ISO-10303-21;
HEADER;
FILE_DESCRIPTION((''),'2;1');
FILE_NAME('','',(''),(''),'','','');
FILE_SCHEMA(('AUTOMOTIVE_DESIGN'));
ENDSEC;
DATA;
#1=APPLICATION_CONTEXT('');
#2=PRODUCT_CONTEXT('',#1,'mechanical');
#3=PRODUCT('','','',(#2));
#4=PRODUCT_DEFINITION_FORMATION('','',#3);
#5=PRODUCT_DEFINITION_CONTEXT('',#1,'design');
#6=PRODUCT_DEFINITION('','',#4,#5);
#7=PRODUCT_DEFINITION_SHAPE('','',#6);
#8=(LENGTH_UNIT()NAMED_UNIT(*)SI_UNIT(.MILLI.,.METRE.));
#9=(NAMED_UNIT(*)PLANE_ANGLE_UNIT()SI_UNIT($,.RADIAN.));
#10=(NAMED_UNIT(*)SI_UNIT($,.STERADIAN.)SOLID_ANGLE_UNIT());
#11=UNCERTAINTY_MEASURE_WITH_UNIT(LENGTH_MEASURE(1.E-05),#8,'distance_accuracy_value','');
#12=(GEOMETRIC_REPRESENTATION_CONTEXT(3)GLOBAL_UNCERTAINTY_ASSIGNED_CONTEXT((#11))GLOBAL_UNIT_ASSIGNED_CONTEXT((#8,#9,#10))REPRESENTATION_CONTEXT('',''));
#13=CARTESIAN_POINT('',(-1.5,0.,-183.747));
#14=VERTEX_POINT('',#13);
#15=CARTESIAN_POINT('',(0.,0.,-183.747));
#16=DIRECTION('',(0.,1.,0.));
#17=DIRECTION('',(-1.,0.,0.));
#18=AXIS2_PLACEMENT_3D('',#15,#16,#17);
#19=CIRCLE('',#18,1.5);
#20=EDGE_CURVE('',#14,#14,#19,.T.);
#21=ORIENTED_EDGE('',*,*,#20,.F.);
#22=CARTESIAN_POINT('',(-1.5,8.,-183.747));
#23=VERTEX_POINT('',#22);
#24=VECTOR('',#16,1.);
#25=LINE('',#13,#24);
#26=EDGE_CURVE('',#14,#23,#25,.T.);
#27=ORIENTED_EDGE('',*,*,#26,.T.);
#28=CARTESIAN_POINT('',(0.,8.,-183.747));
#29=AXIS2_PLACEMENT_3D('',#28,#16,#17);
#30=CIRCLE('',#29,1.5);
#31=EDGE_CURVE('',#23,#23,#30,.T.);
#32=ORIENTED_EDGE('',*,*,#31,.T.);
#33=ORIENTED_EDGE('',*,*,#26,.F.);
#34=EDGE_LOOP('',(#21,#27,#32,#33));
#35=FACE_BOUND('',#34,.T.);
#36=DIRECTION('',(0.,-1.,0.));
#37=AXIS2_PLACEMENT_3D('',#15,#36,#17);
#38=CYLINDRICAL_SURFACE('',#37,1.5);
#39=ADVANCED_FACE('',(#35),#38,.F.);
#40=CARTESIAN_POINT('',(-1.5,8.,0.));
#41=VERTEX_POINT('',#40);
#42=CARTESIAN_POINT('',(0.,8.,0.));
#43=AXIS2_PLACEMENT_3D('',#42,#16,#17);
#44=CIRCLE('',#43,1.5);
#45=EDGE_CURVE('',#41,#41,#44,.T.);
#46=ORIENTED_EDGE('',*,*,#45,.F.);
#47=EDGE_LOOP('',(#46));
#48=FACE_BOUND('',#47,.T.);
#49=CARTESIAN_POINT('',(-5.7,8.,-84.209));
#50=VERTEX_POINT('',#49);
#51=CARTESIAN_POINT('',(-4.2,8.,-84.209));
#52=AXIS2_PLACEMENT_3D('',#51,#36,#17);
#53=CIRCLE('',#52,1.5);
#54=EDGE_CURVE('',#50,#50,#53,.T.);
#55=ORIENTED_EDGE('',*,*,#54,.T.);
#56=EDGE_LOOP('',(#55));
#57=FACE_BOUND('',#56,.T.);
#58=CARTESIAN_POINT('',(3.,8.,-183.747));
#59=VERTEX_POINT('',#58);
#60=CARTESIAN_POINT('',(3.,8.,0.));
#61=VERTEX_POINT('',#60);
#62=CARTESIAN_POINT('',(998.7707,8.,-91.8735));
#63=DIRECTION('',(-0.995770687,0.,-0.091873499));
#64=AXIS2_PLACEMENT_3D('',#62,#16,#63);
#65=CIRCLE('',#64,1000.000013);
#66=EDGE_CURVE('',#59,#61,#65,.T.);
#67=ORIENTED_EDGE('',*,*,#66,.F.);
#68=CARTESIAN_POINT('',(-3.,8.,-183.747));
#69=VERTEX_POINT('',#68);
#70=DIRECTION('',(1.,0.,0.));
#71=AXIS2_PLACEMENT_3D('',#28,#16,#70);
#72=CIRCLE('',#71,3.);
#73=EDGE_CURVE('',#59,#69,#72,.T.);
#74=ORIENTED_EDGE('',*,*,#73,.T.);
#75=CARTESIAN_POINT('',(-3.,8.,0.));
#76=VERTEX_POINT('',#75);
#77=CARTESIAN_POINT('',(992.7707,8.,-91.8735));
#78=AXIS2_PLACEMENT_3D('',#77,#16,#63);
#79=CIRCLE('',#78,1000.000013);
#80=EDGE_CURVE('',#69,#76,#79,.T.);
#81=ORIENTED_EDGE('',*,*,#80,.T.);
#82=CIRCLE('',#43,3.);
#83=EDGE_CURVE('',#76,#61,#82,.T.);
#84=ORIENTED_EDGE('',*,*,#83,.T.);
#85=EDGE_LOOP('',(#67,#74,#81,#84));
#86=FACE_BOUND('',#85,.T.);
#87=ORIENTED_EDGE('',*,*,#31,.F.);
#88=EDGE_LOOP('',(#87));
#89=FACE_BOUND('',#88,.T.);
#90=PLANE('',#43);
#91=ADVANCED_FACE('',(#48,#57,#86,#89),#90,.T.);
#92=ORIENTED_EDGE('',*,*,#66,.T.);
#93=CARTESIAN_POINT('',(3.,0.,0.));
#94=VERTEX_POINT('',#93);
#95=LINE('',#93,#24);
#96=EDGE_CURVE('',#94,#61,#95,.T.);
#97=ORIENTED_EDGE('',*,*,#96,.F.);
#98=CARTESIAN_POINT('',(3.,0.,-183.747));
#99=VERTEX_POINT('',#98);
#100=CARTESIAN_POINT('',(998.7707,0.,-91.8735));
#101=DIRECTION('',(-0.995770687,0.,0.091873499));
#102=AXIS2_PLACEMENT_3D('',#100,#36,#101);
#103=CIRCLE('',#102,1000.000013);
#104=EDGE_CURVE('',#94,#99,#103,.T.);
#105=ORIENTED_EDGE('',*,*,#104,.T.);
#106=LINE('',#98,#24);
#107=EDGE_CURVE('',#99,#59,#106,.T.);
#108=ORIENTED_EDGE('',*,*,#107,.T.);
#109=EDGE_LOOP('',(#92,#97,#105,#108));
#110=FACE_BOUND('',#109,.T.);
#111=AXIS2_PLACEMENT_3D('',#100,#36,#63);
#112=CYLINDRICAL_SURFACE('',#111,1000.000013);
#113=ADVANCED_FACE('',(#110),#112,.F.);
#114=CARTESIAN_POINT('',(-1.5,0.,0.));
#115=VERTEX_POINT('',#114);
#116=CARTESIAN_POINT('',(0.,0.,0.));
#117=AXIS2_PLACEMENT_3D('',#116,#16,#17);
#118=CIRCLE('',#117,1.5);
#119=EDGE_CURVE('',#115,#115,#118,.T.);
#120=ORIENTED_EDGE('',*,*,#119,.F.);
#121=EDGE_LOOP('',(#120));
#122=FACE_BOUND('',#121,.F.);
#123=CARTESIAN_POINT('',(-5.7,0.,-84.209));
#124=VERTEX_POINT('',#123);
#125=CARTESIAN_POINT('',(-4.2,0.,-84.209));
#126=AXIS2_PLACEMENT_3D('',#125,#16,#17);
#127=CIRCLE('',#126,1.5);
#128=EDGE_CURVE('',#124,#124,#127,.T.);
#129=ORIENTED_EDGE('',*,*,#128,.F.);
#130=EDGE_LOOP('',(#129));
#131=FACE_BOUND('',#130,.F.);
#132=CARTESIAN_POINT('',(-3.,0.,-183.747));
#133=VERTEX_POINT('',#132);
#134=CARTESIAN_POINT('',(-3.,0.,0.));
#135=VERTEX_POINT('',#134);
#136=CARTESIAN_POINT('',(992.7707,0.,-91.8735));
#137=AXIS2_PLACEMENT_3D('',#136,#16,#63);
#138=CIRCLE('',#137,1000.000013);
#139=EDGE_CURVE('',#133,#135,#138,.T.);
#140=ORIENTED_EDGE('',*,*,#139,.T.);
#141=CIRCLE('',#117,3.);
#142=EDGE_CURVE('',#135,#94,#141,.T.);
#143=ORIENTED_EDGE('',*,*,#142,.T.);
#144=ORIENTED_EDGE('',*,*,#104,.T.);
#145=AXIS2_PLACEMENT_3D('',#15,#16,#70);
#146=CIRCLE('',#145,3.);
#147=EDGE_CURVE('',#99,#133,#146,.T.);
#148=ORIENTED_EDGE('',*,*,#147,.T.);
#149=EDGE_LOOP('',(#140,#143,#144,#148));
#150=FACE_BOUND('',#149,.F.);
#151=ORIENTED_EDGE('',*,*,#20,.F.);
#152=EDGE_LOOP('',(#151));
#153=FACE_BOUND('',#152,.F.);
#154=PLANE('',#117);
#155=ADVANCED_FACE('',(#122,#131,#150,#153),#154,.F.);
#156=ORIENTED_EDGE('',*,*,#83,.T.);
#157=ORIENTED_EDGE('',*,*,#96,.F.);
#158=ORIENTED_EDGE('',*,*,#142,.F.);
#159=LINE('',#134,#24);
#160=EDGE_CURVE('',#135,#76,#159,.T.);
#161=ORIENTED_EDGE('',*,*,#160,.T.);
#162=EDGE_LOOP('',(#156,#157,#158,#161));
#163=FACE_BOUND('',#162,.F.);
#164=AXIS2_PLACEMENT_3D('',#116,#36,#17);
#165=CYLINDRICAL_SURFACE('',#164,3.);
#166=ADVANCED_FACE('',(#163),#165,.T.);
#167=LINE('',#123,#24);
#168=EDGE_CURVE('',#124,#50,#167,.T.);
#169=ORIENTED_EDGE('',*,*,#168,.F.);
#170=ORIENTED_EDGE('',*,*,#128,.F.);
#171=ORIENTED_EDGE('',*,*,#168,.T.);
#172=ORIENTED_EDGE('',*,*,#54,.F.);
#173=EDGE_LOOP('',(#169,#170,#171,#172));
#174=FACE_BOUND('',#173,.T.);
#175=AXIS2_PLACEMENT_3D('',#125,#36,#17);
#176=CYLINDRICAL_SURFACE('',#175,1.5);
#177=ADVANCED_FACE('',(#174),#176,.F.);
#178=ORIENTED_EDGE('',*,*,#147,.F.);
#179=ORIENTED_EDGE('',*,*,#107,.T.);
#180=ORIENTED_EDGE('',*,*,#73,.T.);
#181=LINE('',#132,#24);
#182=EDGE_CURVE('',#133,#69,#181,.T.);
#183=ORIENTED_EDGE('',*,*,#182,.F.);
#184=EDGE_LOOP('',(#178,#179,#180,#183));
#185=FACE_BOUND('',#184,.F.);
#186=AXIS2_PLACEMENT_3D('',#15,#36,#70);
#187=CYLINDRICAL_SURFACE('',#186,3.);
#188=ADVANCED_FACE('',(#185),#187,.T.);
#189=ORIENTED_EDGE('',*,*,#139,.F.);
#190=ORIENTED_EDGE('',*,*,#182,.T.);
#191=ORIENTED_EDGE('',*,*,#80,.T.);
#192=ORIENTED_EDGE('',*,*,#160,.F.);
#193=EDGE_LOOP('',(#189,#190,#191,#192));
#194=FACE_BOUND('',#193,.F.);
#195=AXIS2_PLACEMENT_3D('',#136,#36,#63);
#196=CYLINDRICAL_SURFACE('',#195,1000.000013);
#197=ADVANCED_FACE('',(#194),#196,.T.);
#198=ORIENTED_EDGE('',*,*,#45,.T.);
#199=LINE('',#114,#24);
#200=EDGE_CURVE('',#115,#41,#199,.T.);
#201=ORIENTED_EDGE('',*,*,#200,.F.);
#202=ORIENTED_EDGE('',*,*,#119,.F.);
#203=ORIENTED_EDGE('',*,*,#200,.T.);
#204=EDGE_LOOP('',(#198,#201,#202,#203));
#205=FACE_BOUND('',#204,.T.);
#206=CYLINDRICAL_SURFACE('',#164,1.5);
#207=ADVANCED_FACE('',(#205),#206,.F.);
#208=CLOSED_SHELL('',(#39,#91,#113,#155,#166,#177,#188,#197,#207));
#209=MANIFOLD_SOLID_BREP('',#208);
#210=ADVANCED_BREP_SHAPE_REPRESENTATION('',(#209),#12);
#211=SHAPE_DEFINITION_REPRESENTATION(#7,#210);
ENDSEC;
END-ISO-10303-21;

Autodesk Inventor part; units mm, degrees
ref_plane "YZ Plane" through (0, 0, 0) normal (1, 0, 0) x (0, 1, 0)
ref_plane "XZ Plane" through (0, 0, 0) normal (0, 1, 0) x (-1, 0, 0)
ref_plane "XY Plane" through (0, 0, 0) normal (0, 0, 1) x (1, 0, 0)
sketch "Sketch1" plane through (0, 0, 0) normal (0, 1, 0) x (-1, 0, 0)
  line L0 (0, 0) -> (0, -183.747) construction
  line L1 (-3, 0) -> (-3, -183.747)
  line L2 (3, -183.747) -> (3, 0)
  arc A0 (3, 0) -> (-3, 0) centre (0, 0) ccw
  arc A1 (-3, -183.747) -> (3, -183.747) centre (0, -183.747) ccw
  circle A2 centre (0, 0) radius 1.5
  circle A3 centre (0, -183.747) radius 1.5
  circle A4 centre (0, -81.332) radius 1.5
  arc A5 (3, -183.747) -> (3, 0) centre (-992.7707, -91.8735) ccw
  arc A6 (-3, -183.747) -> (-3, 0) centre (-998.7707, -91.8735) ccw
  circle A7 centre (4.2, -84.209) radius 1.5
  point P0 (0, -91.8735)
  dimension "d0" = 183.747
  dimension "d1" = 6
  dimension "d2" = 3
  dimension "d3" = 3
  dimension "d8" = 3
  dimension "d9" = 81.332
  dimension "d12" = 1000
  dimension "d13" = 1000
  dimension "d14" = 3
  dimension "d15" = 4.2
extrude "Extrusion1" add sketch "Sketch1" along normal blind 8 contours A0 L2 A7 A1 A6 A4 | A5 L2 A7 | A4 A6 picked at (1.2824, -81.3237)
sketch "Sketch2" plane through (0, 0, 0) normal (0, -1, 0) x (1, 0, 0)
  arc A0 (3, 0) -> (-3, 0) centre (0, 0) ccw projected
  arc A1 (-3, 0) -> (-3, -183.747) centre (992.7707, -91.8735) ccw projected
  arc A2 (-3, -183.747) -> (3, -183.747) centre (0, -183.747) ccw projected
  arc A3 (3, 0) -> (3, -183.747) centre (998.7707, -91.8735) ccw projected
  circle A4 centre (-4.2, -84.209) radius 1.5 projected
  circle A5 centre (0, -183.747) radius 1.5 projected
  circle A6 centre (0, 0) radius 1.5 projected
